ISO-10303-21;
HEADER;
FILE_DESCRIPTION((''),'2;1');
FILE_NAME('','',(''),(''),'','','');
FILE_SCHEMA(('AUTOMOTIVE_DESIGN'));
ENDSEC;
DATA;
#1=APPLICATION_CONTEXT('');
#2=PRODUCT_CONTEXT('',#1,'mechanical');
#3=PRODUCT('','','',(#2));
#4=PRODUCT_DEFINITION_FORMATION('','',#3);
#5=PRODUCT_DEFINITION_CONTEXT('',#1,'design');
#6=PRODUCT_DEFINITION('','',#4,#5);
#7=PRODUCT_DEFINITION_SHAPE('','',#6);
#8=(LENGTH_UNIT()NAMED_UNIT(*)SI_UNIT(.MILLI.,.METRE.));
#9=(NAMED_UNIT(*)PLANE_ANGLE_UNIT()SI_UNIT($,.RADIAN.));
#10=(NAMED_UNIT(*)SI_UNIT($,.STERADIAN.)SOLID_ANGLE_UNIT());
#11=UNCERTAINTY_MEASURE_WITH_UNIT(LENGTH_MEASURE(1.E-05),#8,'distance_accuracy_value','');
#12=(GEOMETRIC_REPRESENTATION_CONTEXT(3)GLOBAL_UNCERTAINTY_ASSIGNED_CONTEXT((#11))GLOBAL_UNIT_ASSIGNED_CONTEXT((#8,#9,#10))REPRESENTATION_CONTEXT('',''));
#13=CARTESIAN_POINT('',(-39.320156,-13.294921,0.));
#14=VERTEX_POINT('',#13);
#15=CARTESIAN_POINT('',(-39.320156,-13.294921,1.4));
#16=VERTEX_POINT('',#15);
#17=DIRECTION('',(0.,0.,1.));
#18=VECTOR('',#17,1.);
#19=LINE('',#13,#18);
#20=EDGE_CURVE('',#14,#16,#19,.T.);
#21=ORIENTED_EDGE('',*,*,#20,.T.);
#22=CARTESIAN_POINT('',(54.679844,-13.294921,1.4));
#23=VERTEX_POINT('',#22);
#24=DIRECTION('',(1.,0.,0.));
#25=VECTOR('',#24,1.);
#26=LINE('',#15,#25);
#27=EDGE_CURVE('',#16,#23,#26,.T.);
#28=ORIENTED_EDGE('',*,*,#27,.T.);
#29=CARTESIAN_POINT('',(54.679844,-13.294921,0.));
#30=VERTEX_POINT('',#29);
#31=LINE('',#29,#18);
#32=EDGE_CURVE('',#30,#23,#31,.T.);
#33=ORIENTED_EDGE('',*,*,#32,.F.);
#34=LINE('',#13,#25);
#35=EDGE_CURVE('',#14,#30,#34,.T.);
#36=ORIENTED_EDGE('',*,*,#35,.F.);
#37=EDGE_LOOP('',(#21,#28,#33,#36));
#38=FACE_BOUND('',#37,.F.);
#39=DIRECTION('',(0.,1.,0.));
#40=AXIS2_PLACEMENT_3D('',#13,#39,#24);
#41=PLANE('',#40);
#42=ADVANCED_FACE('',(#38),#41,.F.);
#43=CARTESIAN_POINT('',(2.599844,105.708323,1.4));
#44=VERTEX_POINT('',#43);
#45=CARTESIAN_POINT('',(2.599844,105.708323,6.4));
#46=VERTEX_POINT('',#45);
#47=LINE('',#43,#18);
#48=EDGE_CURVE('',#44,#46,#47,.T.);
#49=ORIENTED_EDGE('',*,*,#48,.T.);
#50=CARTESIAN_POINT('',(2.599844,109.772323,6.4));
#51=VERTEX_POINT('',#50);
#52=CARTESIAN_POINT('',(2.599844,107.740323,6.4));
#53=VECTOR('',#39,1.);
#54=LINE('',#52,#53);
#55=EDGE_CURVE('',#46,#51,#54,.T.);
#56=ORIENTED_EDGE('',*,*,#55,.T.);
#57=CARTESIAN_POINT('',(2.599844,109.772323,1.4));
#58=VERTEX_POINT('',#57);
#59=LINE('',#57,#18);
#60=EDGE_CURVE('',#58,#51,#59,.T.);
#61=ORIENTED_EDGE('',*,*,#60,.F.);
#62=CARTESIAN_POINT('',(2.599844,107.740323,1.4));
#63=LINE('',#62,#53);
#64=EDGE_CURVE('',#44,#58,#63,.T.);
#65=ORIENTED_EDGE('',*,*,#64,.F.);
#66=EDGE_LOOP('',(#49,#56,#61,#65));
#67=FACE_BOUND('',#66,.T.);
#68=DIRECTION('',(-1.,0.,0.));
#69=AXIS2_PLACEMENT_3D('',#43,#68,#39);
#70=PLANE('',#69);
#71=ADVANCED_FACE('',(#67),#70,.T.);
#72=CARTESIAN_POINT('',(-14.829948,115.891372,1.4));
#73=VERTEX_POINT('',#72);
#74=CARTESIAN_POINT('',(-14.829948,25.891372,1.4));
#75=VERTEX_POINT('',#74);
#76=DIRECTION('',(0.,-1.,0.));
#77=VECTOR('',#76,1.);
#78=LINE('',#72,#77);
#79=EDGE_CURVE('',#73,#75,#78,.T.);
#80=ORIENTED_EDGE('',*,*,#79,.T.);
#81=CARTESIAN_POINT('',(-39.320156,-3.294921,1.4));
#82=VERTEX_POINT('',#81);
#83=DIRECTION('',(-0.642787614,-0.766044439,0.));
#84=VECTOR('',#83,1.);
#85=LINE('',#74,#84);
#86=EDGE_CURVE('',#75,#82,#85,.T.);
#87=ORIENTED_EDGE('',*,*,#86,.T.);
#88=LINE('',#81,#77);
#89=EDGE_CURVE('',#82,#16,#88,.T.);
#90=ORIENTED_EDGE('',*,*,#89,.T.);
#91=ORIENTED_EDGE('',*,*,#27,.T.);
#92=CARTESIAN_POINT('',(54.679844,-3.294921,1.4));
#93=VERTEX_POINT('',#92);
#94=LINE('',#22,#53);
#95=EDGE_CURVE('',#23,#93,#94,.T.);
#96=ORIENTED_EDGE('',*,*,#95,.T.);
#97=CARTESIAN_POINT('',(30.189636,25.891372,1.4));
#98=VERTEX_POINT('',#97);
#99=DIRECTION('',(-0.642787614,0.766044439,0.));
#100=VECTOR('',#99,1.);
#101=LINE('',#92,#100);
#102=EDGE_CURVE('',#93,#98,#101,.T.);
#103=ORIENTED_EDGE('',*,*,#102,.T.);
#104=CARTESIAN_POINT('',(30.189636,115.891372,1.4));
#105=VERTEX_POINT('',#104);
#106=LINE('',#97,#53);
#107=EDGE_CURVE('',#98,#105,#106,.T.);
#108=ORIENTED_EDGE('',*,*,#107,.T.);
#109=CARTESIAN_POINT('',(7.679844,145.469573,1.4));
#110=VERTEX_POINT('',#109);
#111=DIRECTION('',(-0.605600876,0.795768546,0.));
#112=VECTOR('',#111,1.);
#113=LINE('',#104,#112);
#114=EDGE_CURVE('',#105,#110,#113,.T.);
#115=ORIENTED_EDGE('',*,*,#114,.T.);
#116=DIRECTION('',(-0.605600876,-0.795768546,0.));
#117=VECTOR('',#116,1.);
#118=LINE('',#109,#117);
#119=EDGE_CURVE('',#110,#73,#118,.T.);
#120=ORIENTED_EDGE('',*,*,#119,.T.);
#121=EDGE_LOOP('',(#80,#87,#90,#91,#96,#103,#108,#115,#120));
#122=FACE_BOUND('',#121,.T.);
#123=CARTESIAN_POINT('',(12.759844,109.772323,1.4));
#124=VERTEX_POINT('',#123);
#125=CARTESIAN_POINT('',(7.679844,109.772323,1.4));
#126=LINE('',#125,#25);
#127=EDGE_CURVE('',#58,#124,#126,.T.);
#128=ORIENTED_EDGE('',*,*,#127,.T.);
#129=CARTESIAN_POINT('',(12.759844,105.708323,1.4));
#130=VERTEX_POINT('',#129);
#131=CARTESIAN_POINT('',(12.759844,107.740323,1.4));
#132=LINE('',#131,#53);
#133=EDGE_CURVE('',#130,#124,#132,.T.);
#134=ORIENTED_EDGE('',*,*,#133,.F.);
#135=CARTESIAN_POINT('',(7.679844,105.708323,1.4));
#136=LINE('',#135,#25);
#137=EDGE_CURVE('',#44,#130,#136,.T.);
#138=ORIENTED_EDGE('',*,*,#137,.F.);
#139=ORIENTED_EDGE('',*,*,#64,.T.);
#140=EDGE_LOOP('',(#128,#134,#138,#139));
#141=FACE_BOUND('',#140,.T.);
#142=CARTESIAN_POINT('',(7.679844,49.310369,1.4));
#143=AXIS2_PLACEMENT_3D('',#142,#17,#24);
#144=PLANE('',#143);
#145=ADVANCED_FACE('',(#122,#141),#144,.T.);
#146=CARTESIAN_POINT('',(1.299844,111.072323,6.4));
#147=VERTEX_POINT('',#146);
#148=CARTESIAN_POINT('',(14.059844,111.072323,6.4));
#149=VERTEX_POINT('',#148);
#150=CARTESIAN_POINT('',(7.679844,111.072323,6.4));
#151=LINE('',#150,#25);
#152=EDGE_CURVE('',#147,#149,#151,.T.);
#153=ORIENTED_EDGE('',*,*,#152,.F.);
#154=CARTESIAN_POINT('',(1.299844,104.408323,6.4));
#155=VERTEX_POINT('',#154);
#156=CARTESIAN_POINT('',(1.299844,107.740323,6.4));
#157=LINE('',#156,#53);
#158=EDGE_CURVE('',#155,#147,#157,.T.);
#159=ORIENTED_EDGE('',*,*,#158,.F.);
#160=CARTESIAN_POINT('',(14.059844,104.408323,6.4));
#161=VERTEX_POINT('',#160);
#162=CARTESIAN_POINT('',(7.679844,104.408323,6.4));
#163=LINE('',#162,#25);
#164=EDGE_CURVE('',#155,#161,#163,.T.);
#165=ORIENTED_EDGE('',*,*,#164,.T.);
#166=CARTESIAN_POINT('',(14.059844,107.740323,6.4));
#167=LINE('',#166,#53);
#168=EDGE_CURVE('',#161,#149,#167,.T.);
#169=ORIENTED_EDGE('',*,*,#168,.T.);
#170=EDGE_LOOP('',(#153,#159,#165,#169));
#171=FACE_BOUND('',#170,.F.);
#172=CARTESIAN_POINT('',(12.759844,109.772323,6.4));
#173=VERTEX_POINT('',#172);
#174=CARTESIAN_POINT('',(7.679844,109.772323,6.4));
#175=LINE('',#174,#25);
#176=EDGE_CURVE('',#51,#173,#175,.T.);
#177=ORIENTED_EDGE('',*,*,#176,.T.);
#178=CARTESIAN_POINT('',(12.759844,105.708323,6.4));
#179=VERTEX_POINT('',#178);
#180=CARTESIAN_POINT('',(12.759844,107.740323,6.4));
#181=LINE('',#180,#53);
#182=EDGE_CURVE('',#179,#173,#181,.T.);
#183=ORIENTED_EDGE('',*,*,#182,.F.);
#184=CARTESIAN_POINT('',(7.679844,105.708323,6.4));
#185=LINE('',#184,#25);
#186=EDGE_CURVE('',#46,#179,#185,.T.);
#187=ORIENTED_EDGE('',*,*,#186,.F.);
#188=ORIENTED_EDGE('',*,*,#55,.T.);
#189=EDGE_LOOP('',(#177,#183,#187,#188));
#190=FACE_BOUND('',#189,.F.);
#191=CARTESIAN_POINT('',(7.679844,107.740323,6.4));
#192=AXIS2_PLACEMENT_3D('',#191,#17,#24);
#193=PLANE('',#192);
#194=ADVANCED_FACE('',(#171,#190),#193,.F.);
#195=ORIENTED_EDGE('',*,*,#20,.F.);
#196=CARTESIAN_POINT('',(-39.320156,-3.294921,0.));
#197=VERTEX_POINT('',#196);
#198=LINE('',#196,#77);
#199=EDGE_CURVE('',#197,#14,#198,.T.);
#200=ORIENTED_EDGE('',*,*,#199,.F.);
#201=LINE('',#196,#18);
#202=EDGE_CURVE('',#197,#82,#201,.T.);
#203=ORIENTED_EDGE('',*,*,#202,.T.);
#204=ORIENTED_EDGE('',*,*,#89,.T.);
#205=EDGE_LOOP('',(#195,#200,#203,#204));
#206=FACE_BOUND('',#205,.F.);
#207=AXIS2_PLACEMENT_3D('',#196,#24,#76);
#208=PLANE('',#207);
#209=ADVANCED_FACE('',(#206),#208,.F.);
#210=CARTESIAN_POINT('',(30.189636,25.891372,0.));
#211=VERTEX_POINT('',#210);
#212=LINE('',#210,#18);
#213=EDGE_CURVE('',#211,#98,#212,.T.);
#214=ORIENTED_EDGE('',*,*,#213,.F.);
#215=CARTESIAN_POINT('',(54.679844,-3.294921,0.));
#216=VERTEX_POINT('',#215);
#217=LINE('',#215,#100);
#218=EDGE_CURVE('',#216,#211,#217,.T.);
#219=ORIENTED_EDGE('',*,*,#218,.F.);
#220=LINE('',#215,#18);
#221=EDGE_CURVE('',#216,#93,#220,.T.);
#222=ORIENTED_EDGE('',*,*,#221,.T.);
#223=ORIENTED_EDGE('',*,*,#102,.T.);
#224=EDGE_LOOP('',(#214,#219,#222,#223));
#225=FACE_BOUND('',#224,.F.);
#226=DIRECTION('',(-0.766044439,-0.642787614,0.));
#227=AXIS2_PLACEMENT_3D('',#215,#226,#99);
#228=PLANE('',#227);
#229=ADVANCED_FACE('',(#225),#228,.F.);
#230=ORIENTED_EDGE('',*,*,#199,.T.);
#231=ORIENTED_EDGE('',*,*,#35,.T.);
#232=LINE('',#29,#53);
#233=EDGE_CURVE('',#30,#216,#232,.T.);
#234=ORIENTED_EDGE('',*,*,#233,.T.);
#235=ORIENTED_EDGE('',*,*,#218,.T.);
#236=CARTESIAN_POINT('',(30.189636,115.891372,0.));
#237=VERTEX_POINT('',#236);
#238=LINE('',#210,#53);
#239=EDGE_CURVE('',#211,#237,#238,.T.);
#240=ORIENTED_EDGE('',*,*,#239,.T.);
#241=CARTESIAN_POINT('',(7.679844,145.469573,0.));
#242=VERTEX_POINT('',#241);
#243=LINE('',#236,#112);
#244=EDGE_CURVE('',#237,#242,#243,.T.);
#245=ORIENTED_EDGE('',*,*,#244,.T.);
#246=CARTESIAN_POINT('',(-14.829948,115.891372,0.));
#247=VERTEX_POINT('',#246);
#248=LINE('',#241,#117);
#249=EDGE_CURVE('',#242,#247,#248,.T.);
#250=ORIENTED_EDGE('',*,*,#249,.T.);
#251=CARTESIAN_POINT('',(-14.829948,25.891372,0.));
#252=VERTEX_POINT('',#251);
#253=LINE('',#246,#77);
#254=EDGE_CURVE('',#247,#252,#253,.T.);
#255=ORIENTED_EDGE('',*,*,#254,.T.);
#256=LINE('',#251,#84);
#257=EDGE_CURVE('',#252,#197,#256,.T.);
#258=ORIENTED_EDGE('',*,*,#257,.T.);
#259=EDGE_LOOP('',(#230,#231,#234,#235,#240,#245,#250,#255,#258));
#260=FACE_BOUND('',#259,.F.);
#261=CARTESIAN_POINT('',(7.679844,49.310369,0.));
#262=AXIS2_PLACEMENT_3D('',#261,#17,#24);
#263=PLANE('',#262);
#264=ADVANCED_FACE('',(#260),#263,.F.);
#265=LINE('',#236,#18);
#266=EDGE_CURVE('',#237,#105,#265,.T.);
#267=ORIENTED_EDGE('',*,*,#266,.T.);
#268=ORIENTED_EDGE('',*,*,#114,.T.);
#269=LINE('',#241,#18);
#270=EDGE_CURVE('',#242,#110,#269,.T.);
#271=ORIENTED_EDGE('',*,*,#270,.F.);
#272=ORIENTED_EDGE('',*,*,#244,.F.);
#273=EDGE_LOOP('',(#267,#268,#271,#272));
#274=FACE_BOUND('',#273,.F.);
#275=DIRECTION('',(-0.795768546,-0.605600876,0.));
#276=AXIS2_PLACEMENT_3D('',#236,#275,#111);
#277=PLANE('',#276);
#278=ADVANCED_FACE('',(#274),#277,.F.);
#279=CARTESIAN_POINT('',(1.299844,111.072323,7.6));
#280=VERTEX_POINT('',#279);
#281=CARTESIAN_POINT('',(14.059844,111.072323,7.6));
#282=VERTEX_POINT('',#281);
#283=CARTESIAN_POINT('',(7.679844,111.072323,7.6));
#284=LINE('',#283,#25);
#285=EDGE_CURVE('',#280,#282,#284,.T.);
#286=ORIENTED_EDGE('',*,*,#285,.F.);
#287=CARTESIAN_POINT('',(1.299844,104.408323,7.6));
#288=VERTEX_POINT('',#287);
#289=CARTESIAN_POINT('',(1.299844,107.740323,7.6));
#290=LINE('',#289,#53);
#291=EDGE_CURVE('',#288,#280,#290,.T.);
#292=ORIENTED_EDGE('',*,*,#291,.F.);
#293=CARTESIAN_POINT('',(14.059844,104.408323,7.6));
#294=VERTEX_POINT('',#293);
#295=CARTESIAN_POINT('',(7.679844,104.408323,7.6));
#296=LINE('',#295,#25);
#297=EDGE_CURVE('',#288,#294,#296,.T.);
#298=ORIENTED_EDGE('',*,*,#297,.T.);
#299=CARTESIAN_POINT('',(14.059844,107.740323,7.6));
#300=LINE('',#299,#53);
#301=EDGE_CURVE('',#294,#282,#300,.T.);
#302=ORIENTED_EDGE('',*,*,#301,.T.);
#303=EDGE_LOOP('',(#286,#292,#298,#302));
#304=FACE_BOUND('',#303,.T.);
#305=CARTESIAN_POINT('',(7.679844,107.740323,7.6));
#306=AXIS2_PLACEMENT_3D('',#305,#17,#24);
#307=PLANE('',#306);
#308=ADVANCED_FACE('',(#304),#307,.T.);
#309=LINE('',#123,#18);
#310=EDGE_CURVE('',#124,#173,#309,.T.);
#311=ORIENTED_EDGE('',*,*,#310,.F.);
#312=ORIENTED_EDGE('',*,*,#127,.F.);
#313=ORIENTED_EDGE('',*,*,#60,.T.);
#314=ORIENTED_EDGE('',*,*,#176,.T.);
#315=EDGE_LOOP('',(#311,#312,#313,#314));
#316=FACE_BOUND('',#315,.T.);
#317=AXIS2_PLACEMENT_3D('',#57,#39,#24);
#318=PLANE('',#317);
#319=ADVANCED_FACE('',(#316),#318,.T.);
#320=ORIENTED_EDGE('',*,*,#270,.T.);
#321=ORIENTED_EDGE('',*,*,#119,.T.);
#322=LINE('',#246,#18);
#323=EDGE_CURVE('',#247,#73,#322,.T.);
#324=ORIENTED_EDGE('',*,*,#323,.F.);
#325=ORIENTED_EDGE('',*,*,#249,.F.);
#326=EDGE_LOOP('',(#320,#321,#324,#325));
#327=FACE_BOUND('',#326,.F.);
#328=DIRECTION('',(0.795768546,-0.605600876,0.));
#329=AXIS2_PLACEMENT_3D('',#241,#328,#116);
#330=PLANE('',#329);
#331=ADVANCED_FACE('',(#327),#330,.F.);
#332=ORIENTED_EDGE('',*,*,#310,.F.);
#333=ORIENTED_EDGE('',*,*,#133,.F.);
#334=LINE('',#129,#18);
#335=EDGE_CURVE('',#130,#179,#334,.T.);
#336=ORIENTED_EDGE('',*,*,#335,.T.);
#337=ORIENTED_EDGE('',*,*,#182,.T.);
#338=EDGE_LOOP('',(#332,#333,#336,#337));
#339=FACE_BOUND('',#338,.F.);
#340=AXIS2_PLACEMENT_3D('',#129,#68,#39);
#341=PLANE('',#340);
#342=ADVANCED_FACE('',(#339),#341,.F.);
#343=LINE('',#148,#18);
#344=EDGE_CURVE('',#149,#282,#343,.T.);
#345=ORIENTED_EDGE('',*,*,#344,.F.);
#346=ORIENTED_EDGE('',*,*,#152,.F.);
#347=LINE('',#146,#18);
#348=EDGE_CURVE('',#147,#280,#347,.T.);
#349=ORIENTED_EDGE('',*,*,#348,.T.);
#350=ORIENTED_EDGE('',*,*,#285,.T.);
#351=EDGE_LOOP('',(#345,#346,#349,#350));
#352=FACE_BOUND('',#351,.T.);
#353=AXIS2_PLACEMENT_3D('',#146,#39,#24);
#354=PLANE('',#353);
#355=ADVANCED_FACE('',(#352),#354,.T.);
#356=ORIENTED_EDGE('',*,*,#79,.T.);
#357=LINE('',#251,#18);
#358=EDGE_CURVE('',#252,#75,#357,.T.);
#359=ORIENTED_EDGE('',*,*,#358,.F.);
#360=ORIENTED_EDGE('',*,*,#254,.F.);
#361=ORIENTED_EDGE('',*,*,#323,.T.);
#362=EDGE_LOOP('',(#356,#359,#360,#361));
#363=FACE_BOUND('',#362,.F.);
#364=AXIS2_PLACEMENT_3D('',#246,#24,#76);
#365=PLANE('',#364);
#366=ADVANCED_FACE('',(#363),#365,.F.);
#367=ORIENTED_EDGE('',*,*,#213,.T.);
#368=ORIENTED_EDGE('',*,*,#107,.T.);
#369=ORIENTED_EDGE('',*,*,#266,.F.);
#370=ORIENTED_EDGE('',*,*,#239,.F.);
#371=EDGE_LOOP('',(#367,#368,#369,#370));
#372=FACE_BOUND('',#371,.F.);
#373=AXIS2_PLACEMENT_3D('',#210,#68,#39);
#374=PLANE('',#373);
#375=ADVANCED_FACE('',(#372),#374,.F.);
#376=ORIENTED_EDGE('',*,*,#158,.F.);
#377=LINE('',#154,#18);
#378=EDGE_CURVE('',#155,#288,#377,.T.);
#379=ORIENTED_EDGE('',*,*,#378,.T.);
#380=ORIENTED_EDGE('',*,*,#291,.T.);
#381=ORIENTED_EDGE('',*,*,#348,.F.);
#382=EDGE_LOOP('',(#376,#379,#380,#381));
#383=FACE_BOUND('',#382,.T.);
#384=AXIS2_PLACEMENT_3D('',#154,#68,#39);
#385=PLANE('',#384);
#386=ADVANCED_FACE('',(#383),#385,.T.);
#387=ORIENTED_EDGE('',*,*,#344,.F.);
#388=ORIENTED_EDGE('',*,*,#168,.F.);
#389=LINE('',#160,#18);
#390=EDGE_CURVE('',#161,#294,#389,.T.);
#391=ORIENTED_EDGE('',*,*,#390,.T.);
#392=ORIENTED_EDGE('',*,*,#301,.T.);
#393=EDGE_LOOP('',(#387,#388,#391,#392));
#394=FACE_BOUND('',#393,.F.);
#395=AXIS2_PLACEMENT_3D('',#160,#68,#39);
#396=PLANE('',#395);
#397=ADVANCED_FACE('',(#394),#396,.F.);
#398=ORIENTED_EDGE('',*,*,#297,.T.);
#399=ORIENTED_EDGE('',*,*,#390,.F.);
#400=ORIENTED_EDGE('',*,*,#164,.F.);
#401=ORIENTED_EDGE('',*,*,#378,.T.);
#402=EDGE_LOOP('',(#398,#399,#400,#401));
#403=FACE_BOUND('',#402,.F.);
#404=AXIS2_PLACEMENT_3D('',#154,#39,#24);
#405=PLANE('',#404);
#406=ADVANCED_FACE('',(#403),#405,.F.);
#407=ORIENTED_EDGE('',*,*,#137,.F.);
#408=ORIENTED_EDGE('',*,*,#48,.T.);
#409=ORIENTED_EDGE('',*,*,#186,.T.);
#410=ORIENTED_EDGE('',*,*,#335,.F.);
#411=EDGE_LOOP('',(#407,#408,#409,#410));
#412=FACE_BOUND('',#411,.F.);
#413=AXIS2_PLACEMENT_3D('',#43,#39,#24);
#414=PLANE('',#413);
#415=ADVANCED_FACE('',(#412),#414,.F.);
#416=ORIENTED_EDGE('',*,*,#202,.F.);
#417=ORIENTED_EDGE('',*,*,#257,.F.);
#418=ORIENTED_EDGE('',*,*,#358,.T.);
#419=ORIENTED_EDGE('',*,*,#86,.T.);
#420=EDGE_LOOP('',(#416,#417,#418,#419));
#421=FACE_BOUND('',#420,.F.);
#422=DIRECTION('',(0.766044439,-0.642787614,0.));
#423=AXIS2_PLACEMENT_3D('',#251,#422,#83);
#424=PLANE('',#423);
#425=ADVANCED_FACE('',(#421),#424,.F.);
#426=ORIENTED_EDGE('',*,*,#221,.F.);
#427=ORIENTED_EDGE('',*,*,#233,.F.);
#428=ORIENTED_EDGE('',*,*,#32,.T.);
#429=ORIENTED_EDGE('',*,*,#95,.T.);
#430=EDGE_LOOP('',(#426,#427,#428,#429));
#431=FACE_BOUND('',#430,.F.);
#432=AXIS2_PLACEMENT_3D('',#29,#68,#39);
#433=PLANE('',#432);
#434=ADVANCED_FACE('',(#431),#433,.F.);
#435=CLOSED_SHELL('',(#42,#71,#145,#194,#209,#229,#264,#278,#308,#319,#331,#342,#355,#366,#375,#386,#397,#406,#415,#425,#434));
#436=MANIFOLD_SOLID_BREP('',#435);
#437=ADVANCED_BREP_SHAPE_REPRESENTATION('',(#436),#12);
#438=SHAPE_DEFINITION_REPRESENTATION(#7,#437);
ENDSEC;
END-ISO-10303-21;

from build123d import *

# Parameters (mm, degrees)
F1_DEPTH = 1.4
F2_W     = 10.16
F2_H     = 4.064
F3_DEPTH = 5
F4_W     = 12.76
F4_H     = 6.664
F5_DEPTH = 1.2


with BuildPart() as f1:
    # F0 (on Top) → F1 (new body)
    with BuildSketch(Plane.XY):
        Polygon((-39.320156, -3.294921), (-39.320156, -13.294921), (54.679844, -13.294921), (54.679844, -3.294921), (30.189636, 25.891372), (30.189636, 115.891372), (7.679844, 145.469573), (-14.829948, 115.891372), (-14.829948, 25.891372), align=None)
    extrude(amount=F1_DEPTH)

    # F2 (on face) → F3 (join)
    with BuildSketch(Plane.XY.offset(1.4)):
        with Locations((7.679844, 107.740323)):
            Rectangle(F2_W, F2_H)
    extrude(amount=F3_DEPTH)

    # F4 (on face) → F5 (join)
    with BuildSketch(Plane.XY.offset(6.4)):
        with Locations((7.679844, 107.740323)):
            Rectangle(F4_W, F4_H)
    extrude(amount=F5_DEPTH)


solid = f1.part
